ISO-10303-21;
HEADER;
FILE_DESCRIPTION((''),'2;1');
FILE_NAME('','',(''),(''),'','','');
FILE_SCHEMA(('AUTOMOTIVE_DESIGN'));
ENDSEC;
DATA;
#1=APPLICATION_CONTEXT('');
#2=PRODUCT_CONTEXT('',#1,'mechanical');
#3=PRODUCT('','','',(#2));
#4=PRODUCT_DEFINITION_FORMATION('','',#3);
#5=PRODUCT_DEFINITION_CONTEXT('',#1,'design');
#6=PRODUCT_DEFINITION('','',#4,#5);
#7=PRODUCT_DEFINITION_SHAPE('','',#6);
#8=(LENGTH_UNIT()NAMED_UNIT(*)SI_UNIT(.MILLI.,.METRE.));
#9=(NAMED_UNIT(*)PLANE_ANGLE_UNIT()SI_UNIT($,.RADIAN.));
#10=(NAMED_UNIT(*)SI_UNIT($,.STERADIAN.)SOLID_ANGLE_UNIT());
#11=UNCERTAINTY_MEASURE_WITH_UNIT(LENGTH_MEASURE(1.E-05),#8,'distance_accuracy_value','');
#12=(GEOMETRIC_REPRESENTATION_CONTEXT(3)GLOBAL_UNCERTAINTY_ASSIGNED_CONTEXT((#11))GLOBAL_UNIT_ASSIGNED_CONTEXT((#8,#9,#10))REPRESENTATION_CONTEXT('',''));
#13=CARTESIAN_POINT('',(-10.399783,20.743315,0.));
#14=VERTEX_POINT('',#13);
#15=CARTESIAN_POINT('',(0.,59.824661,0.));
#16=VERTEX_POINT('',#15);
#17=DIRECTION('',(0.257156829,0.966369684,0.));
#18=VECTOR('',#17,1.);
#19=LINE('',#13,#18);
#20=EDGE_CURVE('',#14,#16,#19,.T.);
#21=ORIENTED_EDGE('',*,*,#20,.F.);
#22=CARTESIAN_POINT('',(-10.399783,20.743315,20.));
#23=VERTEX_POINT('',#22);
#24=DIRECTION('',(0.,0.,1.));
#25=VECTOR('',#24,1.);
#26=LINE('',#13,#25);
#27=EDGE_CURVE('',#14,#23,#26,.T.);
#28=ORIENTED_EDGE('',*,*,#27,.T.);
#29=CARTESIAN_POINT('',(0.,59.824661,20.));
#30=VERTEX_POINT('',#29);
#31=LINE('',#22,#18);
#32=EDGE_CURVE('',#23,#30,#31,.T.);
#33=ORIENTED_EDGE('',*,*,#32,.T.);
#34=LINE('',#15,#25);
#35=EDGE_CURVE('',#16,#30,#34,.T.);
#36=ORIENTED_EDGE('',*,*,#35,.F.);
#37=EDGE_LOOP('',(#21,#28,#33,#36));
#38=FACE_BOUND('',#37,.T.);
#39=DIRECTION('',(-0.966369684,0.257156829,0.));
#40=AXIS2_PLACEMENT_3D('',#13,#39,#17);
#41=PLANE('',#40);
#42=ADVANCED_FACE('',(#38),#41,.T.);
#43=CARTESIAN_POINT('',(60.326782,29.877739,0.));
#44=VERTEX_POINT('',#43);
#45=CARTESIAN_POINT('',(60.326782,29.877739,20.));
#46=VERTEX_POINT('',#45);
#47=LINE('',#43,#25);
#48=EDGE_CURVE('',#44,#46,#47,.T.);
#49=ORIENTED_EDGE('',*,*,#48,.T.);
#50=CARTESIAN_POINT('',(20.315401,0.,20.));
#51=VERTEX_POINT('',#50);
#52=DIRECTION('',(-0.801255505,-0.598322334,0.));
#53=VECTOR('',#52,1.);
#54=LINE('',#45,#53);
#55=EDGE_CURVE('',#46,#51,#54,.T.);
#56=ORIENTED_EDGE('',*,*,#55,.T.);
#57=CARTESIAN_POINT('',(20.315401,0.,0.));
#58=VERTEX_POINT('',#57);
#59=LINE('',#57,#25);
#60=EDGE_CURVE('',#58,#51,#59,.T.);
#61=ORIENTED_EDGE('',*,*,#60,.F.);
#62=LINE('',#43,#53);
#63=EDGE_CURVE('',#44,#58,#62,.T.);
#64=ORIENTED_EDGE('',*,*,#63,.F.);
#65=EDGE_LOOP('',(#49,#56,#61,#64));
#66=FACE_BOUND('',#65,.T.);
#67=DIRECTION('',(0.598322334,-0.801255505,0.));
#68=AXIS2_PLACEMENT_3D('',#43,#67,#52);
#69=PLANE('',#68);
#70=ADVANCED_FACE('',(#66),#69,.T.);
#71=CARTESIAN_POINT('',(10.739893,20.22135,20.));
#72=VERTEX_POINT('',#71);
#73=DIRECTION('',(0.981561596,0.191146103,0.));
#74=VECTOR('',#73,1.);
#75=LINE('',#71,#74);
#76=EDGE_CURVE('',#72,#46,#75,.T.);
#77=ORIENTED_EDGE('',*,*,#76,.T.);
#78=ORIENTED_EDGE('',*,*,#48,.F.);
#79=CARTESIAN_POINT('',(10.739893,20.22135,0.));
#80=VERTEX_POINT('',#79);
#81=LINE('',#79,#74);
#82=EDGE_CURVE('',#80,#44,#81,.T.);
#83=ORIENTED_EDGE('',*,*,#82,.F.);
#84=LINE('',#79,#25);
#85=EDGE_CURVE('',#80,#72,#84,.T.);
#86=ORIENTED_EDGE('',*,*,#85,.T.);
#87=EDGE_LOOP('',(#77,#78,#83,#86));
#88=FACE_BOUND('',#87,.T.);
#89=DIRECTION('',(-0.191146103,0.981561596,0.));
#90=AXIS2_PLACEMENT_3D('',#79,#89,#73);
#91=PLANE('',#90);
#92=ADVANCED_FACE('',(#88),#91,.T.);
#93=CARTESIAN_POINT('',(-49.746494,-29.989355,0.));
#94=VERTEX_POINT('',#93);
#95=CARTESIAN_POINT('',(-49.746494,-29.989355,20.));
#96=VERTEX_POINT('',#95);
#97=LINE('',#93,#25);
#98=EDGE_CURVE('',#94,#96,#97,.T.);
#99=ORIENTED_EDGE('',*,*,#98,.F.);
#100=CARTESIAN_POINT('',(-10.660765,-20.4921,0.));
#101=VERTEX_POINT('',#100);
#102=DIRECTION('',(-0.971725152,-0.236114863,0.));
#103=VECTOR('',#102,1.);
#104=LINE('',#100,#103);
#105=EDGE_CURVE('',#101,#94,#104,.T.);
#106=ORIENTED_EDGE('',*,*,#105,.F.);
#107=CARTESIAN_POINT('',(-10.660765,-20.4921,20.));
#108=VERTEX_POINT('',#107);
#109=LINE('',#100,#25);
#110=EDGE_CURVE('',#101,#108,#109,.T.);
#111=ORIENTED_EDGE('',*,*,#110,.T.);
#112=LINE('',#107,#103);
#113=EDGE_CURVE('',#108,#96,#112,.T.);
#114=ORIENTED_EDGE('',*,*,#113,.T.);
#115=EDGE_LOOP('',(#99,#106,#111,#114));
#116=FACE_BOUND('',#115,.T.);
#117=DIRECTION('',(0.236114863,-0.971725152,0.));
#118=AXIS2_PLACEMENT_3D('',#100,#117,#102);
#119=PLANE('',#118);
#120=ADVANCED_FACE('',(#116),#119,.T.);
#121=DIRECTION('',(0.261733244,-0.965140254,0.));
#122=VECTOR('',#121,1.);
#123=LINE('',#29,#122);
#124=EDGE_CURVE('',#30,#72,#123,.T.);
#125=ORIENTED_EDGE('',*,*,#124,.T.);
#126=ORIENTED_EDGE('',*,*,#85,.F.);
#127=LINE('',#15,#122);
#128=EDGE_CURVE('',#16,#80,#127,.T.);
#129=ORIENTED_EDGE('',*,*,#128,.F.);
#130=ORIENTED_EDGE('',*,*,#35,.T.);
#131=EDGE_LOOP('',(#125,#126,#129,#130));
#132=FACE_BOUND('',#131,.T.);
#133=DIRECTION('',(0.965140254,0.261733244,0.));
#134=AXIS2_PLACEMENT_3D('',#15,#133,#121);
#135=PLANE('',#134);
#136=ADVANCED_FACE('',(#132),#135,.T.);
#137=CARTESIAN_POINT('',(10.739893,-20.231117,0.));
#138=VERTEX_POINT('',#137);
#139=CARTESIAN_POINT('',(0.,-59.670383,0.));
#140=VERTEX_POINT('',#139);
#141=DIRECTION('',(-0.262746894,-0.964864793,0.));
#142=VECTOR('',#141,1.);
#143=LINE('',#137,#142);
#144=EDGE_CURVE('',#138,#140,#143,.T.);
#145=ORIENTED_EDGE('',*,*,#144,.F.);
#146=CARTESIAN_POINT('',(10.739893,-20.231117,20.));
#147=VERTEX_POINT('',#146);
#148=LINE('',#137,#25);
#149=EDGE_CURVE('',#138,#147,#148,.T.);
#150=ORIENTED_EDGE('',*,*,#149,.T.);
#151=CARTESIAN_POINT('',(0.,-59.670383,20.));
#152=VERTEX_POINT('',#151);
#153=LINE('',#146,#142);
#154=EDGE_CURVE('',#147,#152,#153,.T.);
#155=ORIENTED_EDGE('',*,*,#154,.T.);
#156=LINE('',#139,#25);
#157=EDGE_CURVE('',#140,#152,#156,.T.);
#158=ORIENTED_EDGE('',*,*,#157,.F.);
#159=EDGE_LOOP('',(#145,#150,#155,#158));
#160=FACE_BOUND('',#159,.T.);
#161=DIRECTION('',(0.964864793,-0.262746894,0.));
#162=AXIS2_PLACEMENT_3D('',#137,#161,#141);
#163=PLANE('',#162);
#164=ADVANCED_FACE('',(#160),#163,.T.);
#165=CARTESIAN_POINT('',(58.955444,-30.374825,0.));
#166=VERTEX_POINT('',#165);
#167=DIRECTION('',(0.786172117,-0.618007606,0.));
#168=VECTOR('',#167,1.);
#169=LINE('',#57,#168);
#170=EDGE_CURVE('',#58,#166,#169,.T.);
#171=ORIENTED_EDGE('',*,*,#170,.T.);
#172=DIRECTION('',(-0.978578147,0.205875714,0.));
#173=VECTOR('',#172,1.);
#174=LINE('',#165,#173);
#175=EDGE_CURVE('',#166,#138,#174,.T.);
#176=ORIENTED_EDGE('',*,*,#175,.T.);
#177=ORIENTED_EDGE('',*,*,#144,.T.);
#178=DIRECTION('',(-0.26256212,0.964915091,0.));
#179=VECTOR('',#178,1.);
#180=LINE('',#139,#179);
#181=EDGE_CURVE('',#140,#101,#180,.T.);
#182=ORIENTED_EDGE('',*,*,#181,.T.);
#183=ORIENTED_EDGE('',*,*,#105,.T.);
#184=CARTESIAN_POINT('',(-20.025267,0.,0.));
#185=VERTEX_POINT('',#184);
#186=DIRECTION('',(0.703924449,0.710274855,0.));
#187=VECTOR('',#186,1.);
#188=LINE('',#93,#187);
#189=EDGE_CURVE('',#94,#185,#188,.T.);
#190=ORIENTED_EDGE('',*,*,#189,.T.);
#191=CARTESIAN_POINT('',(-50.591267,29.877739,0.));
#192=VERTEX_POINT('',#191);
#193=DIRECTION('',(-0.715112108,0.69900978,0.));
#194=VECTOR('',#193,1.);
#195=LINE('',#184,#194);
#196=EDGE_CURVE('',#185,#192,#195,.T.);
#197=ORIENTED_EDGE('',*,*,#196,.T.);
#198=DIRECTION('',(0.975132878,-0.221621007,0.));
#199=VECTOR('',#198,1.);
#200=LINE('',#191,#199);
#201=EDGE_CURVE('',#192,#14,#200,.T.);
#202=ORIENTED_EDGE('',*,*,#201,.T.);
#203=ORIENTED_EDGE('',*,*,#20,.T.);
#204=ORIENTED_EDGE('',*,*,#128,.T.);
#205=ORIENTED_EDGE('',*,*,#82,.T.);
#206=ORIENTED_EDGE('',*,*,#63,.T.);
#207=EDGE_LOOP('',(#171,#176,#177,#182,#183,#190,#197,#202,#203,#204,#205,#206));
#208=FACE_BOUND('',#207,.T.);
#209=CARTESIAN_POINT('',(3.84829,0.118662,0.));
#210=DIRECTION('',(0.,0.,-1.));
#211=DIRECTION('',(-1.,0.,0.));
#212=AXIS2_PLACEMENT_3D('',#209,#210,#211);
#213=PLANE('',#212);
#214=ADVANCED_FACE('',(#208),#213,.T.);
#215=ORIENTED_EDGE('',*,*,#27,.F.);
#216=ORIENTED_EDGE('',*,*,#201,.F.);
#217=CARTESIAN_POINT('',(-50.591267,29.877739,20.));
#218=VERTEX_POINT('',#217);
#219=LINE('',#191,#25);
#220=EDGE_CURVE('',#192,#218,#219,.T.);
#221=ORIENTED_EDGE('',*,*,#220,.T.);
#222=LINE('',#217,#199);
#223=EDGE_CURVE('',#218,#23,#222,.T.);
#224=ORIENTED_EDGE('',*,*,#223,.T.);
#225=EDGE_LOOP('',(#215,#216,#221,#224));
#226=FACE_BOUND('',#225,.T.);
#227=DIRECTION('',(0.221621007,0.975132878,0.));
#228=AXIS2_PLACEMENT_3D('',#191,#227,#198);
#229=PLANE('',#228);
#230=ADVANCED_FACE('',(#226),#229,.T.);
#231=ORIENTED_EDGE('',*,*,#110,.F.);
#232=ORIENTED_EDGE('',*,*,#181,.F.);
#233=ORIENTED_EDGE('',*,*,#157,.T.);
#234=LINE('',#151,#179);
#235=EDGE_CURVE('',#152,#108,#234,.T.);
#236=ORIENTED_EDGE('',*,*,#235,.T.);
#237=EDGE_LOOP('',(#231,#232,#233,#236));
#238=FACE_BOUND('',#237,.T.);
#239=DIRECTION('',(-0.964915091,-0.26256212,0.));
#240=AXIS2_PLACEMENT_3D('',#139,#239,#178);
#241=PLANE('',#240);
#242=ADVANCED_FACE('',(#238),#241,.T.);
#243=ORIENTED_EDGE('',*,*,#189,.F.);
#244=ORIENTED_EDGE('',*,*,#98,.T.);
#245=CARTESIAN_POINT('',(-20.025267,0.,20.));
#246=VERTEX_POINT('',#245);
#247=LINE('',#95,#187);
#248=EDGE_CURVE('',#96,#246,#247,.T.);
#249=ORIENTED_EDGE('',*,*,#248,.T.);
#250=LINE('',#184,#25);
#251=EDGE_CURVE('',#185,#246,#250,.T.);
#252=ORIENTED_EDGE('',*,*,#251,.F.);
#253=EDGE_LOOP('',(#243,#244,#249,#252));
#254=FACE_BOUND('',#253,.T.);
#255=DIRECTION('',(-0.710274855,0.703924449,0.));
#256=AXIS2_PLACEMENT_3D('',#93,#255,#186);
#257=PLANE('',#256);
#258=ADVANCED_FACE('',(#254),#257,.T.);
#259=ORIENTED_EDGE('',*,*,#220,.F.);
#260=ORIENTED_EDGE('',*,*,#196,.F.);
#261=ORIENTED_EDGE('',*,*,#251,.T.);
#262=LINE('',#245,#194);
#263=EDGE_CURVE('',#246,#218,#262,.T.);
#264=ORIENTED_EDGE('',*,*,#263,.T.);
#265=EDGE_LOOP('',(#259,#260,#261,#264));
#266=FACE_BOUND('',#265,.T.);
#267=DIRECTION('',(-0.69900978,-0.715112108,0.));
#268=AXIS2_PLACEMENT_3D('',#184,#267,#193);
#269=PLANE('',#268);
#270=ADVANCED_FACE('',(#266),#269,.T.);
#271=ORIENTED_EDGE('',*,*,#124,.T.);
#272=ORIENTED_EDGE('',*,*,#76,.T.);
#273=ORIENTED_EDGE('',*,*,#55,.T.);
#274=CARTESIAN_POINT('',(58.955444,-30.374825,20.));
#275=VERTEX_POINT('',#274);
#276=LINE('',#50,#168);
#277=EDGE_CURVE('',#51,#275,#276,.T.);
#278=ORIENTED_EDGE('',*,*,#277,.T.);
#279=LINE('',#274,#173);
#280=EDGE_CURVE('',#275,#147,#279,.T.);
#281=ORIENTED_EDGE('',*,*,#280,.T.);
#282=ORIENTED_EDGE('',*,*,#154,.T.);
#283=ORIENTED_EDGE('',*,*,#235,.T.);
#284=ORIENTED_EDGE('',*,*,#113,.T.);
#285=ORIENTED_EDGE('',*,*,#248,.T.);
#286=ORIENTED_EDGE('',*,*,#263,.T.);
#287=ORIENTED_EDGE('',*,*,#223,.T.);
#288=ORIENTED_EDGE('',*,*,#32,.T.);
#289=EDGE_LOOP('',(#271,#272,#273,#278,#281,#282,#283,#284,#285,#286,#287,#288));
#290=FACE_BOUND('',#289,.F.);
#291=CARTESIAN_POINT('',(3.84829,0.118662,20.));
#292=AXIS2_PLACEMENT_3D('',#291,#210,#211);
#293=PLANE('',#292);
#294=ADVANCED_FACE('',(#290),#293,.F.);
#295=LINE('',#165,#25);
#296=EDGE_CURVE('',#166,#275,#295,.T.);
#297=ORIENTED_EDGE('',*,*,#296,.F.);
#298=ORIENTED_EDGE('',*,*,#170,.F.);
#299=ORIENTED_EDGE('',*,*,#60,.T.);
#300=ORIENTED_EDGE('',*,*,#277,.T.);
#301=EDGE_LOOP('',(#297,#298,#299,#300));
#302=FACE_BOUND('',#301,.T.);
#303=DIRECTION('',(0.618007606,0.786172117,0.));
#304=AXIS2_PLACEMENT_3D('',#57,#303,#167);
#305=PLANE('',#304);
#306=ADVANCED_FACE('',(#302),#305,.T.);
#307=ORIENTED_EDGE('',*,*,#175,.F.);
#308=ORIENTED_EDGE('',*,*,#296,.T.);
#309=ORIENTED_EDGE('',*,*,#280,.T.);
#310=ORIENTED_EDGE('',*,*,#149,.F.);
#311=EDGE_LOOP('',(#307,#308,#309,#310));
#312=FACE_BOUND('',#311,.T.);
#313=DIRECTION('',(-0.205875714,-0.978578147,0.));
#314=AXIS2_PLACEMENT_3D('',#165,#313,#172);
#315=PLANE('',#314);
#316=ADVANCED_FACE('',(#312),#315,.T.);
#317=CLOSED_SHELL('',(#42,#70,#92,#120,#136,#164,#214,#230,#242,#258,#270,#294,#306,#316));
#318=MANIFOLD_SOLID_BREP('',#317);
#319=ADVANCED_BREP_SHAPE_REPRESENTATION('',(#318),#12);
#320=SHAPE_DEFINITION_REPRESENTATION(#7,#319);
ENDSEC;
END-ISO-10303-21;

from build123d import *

# Parameters (mm, degrees)
PAD_DEPTH = 20


with BuildPart() as part:
    # Sketch → Pad (new body)
    with BuildSketch(Plane.XY):
        Polygon((0, 59.824661), (10.739893, 20.22135), (60.326782, 29.877739), (20.315401, 0), (58.955444, -30.374825), (10.739893, -20.231117), (0, -59.670383), (-10.660765, -20.4921), (-49.746494, -29.989355), (-20.025267, 0), (-50.591267, 29.877739), (-10.399783, 20.743315), align=None)
    extrude(amount=PAD_DEPTH)


solid = part.part
